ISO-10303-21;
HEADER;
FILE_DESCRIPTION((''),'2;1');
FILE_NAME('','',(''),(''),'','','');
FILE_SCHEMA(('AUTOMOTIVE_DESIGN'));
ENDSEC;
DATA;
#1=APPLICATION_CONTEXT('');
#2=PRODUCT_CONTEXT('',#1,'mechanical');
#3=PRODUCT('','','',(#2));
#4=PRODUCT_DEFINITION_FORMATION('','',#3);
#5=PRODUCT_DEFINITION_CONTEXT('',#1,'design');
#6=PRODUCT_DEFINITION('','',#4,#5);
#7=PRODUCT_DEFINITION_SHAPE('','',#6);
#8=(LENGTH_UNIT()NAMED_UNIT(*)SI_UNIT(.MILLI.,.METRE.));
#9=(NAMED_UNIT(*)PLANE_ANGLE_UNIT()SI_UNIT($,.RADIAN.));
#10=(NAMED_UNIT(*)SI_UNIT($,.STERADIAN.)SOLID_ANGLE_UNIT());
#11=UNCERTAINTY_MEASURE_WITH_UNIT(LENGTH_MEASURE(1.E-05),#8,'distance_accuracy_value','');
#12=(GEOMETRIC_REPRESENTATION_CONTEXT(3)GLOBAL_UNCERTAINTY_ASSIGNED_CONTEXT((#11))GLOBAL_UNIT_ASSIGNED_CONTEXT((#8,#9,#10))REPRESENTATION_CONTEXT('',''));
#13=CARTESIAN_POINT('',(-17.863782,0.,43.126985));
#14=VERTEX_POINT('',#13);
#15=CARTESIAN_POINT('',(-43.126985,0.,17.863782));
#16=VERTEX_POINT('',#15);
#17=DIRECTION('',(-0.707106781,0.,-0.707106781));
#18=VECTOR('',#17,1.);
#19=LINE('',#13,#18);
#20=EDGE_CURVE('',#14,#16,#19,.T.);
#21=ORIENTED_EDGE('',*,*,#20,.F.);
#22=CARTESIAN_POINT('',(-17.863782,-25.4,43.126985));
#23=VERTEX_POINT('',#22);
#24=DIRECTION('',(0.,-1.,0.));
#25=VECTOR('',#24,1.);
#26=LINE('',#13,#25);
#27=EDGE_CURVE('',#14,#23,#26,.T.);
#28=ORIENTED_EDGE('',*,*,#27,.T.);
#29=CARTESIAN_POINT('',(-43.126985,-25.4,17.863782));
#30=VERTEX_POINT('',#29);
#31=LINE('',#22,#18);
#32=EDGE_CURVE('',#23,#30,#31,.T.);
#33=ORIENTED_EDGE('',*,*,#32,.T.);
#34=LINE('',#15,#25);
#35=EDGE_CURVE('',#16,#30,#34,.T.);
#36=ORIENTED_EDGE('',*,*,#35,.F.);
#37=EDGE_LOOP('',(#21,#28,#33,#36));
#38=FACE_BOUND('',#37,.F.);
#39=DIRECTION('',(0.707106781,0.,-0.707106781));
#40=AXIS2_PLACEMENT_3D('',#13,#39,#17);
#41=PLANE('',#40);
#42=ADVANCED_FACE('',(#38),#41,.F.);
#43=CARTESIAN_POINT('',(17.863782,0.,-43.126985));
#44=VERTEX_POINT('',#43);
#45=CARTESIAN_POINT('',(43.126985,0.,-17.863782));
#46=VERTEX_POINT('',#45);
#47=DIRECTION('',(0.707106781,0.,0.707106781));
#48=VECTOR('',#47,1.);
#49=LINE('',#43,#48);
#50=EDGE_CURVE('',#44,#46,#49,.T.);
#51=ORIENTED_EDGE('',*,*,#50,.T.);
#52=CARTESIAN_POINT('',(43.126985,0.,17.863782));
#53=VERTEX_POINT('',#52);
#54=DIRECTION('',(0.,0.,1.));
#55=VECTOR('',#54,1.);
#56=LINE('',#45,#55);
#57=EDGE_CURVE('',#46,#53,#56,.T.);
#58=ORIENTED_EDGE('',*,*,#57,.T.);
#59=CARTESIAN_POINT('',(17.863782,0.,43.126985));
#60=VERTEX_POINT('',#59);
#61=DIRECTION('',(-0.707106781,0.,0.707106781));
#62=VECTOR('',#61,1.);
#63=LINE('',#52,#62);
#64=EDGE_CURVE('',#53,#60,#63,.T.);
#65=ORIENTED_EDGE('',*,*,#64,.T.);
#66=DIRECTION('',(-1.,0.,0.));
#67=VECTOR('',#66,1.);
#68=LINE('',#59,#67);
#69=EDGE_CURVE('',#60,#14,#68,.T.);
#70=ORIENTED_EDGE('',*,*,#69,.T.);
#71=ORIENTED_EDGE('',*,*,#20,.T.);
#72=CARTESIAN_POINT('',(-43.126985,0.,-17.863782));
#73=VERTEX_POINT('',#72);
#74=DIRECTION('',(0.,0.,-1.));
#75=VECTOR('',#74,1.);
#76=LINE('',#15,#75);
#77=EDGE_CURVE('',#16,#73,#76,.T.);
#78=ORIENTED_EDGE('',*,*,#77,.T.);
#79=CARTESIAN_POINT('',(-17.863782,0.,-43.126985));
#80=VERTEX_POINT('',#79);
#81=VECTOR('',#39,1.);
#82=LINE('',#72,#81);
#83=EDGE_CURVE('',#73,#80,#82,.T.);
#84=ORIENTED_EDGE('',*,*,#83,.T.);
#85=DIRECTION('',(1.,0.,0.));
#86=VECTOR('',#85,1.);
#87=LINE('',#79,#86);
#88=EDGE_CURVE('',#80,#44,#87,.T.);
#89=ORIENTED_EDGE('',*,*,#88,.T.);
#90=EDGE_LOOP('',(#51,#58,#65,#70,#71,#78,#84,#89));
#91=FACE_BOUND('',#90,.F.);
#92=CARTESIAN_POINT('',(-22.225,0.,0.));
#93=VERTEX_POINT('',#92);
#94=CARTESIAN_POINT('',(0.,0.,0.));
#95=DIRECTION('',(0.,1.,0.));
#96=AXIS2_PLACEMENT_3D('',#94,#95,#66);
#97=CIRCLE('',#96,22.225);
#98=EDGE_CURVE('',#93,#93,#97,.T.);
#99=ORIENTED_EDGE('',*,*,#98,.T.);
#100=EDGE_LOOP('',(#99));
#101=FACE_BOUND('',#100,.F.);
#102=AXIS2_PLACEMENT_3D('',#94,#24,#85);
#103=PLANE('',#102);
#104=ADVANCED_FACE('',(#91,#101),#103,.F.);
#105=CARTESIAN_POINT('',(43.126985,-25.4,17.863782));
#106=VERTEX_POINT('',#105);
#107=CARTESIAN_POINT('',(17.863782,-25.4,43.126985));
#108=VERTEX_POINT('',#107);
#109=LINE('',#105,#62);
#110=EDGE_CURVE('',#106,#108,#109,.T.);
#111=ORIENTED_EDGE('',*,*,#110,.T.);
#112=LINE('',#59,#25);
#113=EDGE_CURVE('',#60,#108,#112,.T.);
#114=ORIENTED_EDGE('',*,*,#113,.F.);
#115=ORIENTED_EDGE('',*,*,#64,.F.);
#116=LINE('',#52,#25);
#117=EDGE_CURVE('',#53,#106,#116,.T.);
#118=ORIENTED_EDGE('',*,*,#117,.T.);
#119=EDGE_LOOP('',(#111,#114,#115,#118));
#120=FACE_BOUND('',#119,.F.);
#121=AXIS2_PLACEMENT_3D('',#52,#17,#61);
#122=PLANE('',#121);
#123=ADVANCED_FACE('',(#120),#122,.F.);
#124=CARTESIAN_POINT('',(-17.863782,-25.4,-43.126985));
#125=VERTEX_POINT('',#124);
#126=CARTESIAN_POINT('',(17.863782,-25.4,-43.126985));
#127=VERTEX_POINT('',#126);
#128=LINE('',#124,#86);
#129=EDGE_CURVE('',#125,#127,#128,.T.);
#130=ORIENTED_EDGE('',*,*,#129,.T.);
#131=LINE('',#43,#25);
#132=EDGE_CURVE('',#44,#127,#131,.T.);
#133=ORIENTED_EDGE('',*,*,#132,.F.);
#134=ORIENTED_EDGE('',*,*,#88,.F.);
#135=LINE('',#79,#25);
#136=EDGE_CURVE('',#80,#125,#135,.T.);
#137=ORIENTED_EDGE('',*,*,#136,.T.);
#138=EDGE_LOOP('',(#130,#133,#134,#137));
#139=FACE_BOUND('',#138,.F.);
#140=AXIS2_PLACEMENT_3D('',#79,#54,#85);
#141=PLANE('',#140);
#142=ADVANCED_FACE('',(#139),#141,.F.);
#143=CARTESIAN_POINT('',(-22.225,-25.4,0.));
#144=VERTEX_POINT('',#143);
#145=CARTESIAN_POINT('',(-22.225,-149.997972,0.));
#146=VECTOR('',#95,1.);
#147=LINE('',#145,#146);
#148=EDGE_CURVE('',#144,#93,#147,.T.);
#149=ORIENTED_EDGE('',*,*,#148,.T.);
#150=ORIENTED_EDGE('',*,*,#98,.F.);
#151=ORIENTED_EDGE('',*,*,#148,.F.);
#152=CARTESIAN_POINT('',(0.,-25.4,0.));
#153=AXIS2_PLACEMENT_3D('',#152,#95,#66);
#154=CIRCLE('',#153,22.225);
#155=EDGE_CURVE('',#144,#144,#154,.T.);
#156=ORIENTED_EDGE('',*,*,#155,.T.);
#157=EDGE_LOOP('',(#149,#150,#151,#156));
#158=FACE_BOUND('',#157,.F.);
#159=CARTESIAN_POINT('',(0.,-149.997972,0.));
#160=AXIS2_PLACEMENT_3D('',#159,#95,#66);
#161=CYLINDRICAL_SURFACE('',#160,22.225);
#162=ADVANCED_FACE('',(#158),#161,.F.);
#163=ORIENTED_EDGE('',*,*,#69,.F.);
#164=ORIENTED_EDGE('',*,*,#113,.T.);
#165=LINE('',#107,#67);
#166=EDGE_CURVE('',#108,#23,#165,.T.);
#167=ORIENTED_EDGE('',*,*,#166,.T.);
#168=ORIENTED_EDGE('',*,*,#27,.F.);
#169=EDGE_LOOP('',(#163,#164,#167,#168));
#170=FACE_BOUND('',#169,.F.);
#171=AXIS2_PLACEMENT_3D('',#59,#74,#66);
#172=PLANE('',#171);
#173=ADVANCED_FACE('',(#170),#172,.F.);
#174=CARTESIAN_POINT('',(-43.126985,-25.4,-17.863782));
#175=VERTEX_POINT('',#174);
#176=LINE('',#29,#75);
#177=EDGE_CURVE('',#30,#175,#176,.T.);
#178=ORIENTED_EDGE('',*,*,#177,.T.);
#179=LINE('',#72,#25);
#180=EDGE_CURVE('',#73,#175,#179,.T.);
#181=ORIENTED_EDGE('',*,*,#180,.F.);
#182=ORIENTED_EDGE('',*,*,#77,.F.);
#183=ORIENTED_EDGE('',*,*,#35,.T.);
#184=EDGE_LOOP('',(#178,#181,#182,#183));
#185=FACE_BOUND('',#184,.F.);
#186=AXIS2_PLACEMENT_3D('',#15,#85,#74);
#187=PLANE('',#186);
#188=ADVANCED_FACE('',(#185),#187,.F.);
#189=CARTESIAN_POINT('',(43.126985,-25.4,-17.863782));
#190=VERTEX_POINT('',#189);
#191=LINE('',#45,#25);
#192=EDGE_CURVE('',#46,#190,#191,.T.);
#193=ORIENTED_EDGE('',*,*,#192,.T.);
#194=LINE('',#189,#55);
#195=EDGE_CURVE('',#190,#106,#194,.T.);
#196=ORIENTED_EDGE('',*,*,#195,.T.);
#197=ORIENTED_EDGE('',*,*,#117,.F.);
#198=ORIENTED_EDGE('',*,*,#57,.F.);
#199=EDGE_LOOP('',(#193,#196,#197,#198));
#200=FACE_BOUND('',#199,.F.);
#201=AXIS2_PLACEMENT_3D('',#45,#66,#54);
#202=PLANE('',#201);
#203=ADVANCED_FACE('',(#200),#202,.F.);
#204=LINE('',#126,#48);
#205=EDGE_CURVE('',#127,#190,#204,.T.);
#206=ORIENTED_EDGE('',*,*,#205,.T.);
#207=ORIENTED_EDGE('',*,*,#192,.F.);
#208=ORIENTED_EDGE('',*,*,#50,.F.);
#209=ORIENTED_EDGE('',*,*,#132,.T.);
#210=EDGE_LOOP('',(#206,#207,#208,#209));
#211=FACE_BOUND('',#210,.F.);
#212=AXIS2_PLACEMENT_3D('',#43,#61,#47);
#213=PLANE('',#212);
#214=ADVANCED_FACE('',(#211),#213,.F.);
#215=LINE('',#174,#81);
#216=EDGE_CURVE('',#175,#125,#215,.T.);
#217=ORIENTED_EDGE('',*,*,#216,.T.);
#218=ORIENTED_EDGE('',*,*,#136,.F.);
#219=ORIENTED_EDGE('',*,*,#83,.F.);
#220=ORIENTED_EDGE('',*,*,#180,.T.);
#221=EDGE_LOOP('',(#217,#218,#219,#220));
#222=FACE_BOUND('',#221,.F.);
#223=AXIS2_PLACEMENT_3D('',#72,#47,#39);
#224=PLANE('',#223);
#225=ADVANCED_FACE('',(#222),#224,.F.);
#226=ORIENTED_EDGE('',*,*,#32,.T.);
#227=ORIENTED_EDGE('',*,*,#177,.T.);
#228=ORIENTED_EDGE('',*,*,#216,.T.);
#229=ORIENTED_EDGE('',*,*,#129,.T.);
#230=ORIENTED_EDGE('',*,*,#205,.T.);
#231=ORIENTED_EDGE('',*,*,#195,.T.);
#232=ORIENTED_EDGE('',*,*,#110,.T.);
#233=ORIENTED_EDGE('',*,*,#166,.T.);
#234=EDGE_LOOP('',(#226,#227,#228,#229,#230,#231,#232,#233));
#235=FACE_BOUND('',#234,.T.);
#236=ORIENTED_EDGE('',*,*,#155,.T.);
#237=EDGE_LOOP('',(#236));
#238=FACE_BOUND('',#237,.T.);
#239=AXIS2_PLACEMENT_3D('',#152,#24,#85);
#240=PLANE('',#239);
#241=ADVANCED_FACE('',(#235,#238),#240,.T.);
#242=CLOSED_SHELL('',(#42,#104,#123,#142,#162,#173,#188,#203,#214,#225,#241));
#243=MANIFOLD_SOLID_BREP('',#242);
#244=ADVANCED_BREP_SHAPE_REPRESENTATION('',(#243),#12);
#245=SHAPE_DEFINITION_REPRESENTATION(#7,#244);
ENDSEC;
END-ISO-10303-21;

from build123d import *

# Parameters (mm, degrees)
F1_DEPTH = 25.4
F3_D     = 44.45


with BuildPart() as f1:
    # F0 (on Front) → F1 (new body)
    with BuildSketch(Plane.XZ):
        Polygon((17.863782, 43.126985), (-17.863782, 43.126985), (-43.126985, 17.863782), (-43.126985, -17.863782), (-17.863782, -43.126985), (17.863782, -43.126985), (43.126985, -17.863782), (43.126985, 17.863782), align=None)
    extrude(amount=F1_DEPTH)

    # F3 (through all)
    with Locations(Plane.XZ.offset(25.4)):
        with Locations((0, 0)):
            Hole(F3_D / 2)


solid = f1.part
